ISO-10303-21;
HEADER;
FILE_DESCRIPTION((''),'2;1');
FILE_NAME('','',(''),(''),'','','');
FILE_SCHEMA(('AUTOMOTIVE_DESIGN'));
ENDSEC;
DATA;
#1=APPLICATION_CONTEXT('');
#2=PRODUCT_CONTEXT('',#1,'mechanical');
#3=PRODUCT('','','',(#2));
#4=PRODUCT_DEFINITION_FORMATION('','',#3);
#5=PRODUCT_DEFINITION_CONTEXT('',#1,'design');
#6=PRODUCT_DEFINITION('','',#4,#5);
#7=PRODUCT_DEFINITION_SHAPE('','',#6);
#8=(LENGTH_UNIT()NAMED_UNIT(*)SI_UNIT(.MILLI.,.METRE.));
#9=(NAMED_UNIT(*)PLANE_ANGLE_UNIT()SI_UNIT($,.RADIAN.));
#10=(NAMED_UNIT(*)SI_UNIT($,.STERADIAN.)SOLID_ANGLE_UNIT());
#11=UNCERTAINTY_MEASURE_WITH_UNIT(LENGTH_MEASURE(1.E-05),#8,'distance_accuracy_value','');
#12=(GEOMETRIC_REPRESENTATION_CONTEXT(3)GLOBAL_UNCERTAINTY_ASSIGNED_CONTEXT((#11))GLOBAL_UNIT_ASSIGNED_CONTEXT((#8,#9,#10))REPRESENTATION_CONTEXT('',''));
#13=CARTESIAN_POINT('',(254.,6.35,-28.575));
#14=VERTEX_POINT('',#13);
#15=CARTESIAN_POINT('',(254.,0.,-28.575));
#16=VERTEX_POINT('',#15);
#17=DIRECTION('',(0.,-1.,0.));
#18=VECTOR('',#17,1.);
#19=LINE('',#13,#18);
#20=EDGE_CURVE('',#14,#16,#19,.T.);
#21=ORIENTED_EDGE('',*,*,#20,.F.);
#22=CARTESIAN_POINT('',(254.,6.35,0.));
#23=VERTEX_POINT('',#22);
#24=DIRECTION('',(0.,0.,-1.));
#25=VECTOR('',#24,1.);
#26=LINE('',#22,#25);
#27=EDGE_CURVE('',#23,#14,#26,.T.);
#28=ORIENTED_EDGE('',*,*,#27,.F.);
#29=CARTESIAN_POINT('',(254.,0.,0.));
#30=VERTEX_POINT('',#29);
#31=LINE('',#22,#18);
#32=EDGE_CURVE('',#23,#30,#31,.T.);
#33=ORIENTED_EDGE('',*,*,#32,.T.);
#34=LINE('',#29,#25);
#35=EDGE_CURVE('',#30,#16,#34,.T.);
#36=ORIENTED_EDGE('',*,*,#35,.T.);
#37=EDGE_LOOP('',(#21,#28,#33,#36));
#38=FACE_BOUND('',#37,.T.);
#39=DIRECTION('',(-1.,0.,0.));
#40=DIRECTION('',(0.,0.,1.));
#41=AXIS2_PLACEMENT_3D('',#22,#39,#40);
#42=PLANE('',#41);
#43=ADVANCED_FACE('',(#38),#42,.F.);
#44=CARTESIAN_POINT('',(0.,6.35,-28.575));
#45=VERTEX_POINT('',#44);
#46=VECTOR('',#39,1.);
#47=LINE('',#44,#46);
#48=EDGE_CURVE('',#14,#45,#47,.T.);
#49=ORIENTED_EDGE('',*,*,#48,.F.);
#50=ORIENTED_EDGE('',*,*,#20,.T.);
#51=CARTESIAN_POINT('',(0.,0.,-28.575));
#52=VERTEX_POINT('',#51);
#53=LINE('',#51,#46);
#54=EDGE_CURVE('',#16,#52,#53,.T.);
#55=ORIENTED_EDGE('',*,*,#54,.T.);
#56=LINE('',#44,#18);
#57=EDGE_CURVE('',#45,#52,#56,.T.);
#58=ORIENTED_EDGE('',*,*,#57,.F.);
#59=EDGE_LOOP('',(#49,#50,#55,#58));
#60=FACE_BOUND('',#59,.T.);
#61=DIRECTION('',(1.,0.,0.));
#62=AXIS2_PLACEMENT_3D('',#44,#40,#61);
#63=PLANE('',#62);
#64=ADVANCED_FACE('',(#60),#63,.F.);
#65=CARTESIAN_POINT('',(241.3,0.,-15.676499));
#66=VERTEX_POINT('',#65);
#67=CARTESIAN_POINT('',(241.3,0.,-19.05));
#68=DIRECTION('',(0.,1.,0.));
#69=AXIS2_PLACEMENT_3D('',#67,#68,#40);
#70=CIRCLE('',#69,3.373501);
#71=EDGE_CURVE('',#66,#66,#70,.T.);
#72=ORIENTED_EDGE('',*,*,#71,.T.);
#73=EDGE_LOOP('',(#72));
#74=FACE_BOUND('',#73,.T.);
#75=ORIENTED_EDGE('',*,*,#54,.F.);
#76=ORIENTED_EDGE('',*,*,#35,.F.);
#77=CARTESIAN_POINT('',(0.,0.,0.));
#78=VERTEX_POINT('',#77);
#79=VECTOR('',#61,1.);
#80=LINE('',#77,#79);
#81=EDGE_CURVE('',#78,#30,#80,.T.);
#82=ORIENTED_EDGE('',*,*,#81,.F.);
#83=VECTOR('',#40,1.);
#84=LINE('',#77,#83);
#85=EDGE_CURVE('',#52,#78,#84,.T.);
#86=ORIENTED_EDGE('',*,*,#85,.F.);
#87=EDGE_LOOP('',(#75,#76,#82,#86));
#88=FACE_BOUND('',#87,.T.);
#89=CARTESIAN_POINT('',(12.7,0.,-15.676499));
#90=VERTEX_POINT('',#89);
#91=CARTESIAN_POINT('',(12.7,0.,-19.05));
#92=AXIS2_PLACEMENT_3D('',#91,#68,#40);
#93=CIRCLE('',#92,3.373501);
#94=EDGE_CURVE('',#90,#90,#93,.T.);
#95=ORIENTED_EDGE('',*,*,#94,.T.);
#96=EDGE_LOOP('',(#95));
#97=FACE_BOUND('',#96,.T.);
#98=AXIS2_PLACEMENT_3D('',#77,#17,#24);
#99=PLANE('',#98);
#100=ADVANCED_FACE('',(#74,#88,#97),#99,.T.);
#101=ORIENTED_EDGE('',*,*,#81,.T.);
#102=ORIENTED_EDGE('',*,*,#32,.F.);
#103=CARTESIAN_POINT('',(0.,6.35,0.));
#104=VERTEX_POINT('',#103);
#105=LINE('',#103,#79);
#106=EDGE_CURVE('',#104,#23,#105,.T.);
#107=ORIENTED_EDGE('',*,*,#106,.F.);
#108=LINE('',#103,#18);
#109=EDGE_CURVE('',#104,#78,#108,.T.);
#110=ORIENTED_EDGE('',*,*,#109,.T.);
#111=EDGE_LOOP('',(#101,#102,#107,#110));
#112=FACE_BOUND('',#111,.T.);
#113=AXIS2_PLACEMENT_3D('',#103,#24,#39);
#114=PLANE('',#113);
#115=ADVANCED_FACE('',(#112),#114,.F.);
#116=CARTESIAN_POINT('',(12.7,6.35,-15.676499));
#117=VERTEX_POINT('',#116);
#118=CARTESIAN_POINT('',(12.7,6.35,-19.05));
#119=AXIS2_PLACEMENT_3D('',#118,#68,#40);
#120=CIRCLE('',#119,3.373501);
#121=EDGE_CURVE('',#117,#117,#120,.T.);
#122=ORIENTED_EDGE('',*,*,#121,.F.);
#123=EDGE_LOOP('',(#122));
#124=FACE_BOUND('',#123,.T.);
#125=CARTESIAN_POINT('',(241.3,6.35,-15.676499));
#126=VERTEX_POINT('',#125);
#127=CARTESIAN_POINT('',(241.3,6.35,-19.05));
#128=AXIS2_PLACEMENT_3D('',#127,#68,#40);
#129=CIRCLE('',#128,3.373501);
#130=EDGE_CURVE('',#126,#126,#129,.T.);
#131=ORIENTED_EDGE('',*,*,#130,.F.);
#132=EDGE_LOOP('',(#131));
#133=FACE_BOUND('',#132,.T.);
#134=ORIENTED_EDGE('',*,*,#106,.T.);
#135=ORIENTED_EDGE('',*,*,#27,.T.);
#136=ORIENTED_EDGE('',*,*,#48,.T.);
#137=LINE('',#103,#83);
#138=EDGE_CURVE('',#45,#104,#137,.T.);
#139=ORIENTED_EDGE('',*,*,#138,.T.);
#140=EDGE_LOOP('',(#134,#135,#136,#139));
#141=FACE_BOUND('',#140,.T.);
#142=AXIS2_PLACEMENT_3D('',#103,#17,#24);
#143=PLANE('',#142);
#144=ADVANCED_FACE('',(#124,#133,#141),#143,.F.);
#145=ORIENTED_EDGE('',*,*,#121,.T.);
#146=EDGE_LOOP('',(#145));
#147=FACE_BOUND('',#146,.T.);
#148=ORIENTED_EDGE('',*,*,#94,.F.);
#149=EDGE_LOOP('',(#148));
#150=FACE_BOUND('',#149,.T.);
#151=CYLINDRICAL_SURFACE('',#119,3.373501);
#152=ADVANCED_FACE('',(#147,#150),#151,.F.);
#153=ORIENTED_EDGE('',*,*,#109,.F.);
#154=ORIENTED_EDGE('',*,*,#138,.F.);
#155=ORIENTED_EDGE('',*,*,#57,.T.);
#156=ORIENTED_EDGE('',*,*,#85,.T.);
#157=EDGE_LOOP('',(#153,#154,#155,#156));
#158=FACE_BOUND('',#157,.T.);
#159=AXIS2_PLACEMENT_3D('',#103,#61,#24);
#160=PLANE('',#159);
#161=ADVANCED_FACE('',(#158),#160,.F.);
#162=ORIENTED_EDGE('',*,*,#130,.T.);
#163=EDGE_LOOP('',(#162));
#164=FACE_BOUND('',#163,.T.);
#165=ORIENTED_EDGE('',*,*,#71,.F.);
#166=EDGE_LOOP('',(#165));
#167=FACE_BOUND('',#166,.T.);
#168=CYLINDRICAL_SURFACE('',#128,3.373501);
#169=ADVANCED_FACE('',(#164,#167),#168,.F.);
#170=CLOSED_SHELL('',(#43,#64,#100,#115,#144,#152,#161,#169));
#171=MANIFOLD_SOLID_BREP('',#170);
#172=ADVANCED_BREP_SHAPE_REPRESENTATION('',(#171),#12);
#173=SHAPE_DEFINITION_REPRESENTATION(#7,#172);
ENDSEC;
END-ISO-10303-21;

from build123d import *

# Parameters (mm, degrees)
SKETCH2_W                        = 254
SKETCH2_H                        = 28.575
BOSS_EXTRUDE1_DEPTH              = 6.35
F_17_64_0_26563_DIAMETER_HOLE1_D = 6.747002


with BuildPart() as part:
    # Sketch2 → Boss-Extrude1 (new body)
    with BuildSketch(Plane(origin=(0, 0, 0), x_dir=(1, 0, 0), z_dir=(0, 1, 0))):
        with Locations((127, 14.2875)):
            Rectangle(SKETCH2_W, SKETCH2_H)
    extrude(amount=BOSS_EXTRUDE1_DEPTH)

    # 17/64 (0.26563) Diameter Hole1 (through all)
    with Locations(Plane(origin=(0, 6.35, 0), x_dir=(1, 0, 0), z_dir=(0, 1, 0))):
        with Locations((12.7, 19.05), (241.3, 19.05)):
            Hole(F_17_64_0_26563_DIAMETER_HOLE1_D / 2)


solid = part.part
